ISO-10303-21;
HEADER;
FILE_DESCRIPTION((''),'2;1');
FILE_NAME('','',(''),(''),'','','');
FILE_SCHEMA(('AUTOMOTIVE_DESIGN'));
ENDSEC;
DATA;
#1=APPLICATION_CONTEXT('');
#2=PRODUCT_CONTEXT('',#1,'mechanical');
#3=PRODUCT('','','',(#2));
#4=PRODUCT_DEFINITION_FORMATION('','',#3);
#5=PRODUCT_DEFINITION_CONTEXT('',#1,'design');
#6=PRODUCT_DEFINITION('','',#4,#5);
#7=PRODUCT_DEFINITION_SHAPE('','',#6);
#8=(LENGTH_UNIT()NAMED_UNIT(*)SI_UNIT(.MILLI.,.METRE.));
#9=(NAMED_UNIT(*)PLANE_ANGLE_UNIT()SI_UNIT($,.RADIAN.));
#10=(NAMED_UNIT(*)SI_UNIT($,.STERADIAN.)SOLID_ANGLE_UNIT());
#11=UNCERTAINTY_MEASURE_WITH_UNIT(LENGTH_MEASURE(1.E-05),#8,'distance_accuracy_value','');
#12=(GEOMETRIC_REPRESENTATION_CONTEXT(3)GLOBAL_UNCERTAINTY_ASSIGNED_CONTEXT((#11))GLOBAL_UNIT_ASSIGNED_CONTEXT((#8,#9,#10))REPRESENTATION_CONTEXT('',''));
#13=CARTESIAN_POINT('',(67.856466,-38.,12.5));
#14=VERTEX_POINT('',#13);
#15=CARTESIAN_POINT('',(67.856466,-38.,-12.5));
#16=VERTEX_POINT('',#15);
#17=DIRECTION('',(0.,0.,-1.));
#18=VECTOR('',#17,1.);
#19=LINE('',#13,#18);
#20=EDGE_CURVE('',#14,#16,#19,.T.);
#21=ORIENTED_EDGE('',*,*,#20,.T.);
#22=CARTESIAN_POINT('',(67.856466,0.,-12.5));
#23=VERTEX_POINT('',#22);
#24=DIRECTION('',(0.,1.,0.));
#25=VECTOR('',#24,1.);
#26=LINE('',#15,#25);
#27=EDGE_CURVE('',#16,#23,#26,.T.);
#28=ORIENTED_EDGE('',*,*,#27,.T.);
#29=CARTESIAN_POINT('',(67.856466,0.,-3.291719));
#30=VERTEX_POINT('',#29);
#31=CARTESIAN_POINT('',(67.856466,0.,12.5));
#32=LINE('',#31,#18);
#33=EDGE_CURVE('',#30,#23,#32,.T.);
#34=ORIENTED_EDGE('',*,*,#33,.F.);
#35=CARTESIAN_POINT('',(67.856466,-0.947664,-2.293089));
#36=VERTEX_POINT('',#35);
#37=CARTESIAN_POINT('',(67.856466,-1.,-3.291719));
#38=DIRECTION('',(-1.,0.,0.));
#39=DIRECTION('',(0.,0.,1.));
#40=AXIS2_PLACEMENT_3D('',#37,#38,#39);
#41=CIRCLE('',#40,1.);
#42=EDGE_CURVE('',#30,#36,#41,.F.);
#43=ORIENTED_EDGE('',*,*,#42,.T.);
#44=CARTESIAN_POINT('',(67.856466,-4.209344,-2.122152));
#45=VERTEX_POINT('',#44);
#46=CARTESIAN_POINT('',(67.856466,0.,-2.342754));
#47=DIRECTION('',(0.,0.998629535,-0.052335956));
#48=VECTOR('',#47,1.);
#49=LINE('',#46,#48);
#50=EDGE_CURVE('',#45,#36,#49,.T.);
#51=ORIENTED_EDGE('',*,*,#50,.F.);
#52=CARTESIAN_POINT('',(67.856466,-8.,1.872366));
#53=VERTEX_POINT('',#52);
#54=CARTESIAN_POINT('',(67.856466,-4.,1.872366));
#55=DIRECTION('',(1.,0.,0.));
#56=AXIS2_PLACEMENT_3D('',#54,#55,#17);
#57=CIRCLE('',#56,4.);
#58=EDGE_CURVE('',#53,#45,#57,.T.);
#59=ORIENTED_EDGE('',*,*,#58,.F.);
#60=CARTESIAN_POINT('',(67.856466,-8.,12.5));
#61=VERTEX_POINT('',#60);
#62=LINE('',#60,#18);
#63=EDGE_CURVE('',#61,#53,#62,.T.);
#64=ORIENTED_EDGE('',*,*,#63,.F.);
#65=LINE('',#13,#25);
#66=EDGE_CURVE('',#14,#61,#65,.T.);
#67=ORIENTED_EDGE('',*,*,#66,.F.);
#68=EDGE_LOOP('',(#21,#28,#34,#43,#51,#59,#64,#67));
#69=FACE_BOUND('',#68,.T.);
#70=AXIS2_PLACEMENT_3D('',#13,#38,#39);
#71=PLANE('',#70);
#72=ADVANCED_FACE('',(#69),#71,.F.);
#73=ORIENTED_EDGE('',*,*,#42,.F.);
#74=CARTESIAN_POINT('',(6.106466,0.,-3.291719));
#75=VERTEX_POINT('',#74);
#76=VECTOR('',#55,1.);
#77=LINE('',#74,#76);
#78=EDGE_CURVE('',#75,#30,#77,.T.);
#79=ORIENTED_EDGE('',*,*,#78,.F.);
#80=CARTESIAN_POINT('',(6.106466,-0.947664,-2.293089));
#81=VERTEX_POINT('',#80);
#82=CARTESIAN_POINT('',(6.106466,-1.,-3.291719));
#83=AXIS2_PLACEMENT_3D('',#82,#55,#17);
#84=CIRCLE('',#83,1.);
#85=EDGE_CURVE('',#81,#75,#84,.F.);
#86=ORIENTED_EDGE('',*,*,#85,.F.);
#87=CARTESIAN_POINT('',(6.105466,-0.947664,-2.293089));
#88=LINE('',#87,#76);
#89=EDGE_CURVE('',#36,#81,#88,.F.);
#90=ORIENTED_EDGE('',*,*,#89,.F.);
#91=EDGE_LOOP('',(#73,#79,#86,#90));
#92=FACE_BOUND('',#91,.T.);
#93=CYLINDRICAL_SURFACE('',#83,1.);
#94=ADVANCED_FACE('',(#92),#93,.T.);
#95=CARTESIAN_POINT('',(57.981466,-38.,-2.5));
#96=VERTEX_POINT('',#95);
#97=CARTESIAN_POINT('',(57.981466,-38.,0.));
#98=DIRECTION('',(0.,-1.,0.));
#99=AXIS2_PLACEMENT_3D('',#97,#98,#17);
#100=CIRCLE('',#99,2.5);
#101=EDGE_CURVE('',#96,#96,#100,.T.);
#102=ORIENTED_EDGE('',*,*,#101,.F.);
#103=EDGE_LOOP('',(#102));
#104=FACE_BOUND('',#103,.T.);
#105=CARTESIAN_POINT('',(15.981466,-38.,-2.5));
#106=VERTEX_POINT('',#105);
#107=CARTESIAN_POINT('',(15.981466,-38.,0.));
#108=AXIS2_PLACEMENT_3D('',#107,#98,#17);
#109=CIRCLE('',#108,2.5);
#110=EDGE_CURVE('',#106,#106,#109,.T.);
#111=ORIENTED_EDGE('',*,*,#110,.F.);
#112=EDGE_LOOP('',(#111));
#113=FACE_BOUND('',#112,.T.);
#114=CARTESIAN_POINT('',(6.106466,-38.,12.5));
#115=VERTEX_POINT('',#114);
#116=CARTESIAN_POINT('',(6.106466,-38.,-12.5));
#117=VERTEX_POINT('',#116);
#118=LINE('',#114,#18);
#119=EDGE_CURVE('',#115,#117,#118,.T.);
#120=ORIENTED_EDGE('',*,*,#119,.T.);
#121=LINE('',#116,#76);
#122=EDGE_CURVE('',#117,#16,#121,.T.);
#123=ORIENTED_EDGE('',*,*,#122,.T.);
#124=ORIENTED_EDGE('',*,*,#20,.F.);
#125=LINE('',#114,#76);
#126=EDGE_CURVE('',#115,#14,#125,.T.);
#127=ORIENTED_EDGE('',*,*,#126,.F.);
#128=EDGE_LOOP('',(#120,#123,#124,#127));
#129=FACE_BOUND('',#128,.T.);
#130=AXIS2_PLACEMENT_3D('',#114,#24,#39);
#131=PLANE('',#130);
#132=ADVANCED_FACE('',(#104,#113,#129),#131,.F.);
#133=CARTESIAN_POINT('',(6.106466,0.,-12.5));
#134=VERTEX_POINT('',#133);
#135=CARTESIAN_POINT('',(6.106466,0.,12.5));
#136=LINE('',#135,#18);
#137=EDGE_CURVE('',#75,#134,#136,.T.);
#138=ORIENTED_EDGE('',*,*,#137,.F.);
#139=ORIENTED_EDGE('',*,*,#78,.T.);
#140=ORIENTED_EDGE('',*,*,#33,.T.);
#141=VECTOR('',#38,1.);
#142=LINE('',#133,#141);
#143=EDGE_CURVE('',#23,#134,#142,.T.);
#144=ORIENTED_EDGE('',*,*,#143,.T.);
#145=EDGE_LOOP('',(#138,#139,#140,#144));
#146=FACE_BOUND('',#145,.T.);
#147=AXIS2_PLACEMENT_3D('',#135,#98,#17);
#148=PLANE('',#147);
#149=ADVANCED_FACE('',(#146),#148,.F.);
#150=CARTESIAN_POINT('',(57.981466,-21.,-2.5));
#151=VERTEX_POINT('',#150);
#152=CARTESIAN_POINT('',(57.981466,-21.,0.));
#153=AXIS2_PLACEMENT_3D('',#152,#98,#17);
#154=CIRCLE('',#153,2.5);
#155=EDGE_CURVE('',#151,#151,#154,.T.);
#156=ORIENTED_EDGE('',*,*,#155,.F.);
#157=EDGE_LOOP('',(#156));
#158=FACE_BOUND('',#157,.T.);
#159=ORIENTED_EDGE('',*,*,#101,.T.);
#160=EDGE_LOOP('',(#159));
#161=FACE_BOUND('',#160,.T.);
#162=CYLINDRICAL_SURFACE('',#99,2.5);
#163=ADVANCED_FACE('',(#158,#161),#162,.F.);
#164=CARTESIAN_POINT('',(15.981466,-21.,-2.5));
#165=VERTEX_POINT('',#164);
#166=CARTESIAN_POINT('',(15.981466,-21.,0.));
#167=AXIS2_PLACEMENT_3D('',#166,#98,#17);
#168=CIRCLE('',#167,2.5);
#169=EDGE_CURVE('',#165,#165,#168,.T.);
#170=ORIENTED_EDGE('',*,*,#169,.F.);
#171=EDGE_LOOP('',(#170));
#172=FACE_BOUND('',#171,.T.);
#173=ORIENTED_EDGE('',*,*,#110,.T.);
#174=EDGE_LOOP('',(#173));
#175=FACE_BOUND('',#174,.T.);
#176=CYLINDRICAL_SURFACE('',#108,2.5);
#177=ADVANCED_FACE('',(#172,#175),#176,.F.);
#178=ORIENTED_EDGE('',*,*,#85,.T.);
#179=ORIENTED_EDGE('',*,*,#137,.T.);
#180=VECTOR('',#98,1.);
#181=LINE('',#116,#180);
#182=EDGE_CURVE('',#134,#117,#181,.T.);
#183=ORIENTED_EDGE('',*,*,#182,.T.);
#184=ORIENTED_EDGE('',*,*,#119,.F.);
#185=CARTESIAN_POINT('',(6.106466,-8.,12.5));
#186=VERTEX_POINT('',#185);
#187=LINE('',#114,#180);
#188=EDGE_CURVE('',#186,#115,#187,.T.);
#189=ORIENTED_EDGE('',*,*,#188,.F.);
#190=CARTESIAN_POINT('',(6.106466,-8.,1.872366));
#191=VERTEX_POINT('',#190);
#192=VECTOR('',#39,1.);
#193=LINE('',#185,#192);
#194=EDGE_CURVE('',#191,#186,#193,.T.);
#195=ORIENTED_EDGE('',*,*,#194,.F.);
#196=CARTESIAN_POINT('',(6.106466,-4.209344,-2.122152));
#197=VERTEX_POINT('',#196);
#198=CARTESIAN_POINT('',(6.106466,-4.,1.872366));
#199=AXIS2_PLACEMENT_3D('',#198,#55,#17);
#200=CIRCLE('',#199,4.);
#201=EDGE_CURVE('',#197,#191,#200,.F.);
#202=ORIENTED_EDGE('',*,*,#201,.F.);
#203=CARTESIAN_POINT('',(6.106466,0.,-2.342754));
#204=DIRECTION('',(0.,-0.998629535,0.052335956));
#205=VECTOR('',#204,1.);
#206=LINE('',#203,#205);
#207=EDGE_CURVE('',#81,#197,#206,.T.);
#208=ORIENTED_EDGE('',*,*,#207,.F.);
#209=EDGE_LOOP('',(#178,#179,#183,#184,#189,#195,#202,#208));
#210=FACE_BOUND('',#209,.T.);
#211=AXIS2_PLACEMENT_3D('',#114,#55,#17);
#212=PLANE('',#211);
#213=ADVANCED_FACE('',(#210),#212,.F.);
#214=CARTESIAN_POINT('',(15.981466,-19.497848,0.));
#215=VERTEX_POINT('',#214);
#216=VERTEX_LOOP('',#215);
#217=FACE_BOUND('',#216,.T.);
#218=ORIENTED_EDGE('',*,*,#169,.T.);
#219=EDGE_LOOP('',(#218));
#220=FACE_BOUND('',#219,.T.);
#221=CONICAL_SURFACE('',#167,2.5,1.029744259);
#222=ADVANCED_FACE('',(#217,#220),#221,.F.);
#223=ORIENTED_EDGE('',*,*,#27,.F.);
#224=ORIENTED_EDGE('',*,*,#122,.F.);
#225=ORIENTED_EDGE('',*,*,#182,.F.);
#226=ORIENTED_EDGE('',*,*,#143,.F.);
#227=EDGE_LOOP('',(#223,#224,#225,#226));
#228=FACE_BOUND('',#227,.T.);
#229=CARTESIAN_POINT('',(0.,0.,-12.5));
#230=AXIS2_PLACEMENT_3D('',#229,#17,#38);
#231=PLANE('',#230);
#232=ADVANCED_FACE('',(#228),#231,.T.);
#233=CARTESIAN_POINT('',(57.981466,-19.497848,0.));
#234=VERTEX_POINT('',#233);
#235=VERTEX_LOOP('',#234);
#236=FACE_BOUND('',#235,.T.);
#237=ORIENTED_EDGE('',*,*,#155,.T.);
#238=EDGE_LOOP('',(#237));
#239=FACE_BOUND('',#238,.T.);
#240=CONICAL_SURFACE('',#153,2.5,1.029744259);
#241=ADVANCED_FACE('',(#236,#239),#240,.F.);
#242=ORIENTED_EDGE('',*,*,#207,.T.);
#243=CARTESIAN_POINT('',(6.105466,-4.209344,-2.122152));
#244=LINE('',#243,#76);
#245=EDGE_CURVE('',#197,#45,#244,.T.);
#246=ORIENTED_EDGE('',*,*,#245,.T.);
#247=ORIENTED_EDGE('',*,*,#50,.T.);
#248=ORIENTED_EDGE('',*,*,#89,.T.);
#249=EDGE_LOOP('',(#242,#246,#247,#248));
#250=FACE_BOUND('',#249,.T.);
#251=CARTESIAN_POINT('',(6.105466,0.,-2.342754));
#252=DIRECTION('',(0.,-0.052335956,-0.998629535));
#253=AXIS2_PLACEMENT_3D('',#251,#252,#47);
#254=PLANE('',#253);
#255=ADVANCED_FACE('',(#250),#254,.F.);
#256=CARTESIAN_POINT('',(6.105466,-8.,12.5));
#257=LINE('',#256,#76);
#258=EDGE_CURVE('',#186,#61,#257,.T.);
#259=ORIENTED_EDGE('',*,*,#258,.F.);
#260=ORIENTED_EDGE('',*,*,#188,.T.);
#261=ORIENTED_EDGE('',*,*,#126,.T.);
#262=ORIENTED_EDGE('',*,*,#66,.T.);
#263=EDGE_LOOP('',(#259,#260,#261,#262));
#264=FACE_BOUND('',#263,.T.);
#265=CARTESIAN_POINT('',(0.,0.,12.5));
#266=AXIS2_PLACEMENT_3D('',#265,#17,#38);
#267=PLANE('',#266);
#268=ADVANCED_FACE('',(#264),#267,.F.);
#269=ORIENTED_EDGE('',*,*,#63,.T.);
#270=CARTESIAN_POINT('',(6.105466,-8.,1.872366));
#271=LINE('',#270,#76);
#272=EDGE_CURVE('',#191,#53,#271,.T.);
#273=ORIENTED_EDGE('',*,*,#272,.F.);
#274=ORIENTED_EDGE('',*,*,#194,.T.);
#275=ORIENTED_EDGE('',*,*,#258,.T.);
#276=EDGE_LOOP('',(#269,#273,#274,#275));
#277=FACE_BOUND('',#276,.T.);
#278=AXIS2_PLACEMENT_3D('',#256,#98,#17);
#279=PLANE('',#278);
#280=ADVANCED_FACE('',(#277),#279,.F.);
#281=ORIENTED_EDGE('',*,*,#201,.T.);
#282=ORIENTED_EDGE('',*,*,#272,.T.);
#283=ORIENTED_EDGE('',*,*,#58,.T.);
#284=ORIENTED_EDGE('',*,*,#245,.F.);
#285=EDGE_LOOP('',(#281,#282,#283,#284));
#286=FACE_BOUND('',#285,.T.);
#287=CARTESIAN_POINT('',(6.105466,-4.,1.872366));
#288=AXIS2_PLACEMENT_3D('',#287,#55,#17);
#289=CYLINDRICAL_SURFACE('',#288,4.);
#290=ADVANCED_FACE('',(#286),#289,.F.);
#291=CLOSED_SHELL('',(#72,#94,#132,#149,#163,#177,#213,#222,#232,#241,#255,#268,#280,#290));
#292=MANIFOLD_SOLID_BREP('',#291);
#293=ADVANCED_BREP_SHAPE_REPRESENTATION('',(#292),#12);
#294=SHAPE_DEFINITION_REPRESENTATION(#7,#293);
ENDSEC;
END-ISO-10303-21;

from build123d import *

# Parameters (mm, degrees)
SKETCH1_W             = 61.75
SKETCH1_H             = 38
BOSS_EXTRUDE1_DEPTH   = 12.5
CUT_EXTRUDE1_REACH    = 75.575
FILLET1_R             = 1
M6_TAPPED_HOLE1_D     = 5
M6_TAPPED_HOLE1_DEPTH = 17
M6_TAPPED_HOLE1_TIP   = 1.502151548


with BuildPart() as part:
    # Sketch1 → Boss-Extrude1 (new, symmetric)
    with BuildSketch(Plane.XY):
        with Locations((36.981465557, -19)):
            Rectangle(SKETCH1_W, SKETCH1_H)
    extrude(amount=BOSS_EXTRUDE1_DEPTH, both=True)

    # Sketch2 → Cut-Extrude1 (cut, up to next)
    with BuildSketch(Plane(origin=(67.856465557, 0, 0), x_dir=(0, 0, -1), z_dir=(1, 0, 0)), mode=Mode.PRIVATE) as cut_extrude1_sk1:
        with BuildLine():
            Line((2.342754418, 0), (2.122152056, -4.209343825))
            ThreePointArc((2.122152056, -4.209343825), (0.88105222, -6.901497484), (-1.872366083, -8))
            Line((-1.872366083, -8), (-12.5, -8))
            Line((-12.5, -8), (-12.5, 0))
            Line((-12.5, 0), (2.342754418, 0))
        make_face()
    cut_extrude1_tool1 = extrude(cut_extrude1_sk1.sketch, amount=-CUT_EXTRUDE1_REACH, mode=Mode.PRIVATE) & part.part
    add(cut_extrude1_tool1.solids().sort_by_distance((67.856466, -3.896267, 5.35091))[0], mode=Mode.SUBTRACT)

    # Fillet1
    fillet1_edges = [part.edges().sort_by_distance(p)[0] for p in [
        (36.981465557, 0, -2.342754418),
    ]]
    fillet(fillet1_edges, radius=FILLET1_R)

    # M6 Tapped Hole1
    with Locations(Plane(origin=(0, -38, 0), x_dir=(-1, 0, 0), z_dir=(0, -1, 0))):
        with Locations((-57.981465557, 0), (-15.981465557, 0)):
            Hole(M6_TAPPED_HOLE1_D / 2, depth=M6_TAPPED_HOLE1_DEPTH)
            with Locations((0, 0, -(M6_TAPPED_HOLE1_DEPTH + M6_TAPPED_HOLE1_TIP / 2))):  # 118° drill point
                Cone(0, M6_TAPPED_HOLE1_D / 2, M6_TAPPED_HOLE1_TIP, mode=Mode.SUBTRACT)


solid = part.part
